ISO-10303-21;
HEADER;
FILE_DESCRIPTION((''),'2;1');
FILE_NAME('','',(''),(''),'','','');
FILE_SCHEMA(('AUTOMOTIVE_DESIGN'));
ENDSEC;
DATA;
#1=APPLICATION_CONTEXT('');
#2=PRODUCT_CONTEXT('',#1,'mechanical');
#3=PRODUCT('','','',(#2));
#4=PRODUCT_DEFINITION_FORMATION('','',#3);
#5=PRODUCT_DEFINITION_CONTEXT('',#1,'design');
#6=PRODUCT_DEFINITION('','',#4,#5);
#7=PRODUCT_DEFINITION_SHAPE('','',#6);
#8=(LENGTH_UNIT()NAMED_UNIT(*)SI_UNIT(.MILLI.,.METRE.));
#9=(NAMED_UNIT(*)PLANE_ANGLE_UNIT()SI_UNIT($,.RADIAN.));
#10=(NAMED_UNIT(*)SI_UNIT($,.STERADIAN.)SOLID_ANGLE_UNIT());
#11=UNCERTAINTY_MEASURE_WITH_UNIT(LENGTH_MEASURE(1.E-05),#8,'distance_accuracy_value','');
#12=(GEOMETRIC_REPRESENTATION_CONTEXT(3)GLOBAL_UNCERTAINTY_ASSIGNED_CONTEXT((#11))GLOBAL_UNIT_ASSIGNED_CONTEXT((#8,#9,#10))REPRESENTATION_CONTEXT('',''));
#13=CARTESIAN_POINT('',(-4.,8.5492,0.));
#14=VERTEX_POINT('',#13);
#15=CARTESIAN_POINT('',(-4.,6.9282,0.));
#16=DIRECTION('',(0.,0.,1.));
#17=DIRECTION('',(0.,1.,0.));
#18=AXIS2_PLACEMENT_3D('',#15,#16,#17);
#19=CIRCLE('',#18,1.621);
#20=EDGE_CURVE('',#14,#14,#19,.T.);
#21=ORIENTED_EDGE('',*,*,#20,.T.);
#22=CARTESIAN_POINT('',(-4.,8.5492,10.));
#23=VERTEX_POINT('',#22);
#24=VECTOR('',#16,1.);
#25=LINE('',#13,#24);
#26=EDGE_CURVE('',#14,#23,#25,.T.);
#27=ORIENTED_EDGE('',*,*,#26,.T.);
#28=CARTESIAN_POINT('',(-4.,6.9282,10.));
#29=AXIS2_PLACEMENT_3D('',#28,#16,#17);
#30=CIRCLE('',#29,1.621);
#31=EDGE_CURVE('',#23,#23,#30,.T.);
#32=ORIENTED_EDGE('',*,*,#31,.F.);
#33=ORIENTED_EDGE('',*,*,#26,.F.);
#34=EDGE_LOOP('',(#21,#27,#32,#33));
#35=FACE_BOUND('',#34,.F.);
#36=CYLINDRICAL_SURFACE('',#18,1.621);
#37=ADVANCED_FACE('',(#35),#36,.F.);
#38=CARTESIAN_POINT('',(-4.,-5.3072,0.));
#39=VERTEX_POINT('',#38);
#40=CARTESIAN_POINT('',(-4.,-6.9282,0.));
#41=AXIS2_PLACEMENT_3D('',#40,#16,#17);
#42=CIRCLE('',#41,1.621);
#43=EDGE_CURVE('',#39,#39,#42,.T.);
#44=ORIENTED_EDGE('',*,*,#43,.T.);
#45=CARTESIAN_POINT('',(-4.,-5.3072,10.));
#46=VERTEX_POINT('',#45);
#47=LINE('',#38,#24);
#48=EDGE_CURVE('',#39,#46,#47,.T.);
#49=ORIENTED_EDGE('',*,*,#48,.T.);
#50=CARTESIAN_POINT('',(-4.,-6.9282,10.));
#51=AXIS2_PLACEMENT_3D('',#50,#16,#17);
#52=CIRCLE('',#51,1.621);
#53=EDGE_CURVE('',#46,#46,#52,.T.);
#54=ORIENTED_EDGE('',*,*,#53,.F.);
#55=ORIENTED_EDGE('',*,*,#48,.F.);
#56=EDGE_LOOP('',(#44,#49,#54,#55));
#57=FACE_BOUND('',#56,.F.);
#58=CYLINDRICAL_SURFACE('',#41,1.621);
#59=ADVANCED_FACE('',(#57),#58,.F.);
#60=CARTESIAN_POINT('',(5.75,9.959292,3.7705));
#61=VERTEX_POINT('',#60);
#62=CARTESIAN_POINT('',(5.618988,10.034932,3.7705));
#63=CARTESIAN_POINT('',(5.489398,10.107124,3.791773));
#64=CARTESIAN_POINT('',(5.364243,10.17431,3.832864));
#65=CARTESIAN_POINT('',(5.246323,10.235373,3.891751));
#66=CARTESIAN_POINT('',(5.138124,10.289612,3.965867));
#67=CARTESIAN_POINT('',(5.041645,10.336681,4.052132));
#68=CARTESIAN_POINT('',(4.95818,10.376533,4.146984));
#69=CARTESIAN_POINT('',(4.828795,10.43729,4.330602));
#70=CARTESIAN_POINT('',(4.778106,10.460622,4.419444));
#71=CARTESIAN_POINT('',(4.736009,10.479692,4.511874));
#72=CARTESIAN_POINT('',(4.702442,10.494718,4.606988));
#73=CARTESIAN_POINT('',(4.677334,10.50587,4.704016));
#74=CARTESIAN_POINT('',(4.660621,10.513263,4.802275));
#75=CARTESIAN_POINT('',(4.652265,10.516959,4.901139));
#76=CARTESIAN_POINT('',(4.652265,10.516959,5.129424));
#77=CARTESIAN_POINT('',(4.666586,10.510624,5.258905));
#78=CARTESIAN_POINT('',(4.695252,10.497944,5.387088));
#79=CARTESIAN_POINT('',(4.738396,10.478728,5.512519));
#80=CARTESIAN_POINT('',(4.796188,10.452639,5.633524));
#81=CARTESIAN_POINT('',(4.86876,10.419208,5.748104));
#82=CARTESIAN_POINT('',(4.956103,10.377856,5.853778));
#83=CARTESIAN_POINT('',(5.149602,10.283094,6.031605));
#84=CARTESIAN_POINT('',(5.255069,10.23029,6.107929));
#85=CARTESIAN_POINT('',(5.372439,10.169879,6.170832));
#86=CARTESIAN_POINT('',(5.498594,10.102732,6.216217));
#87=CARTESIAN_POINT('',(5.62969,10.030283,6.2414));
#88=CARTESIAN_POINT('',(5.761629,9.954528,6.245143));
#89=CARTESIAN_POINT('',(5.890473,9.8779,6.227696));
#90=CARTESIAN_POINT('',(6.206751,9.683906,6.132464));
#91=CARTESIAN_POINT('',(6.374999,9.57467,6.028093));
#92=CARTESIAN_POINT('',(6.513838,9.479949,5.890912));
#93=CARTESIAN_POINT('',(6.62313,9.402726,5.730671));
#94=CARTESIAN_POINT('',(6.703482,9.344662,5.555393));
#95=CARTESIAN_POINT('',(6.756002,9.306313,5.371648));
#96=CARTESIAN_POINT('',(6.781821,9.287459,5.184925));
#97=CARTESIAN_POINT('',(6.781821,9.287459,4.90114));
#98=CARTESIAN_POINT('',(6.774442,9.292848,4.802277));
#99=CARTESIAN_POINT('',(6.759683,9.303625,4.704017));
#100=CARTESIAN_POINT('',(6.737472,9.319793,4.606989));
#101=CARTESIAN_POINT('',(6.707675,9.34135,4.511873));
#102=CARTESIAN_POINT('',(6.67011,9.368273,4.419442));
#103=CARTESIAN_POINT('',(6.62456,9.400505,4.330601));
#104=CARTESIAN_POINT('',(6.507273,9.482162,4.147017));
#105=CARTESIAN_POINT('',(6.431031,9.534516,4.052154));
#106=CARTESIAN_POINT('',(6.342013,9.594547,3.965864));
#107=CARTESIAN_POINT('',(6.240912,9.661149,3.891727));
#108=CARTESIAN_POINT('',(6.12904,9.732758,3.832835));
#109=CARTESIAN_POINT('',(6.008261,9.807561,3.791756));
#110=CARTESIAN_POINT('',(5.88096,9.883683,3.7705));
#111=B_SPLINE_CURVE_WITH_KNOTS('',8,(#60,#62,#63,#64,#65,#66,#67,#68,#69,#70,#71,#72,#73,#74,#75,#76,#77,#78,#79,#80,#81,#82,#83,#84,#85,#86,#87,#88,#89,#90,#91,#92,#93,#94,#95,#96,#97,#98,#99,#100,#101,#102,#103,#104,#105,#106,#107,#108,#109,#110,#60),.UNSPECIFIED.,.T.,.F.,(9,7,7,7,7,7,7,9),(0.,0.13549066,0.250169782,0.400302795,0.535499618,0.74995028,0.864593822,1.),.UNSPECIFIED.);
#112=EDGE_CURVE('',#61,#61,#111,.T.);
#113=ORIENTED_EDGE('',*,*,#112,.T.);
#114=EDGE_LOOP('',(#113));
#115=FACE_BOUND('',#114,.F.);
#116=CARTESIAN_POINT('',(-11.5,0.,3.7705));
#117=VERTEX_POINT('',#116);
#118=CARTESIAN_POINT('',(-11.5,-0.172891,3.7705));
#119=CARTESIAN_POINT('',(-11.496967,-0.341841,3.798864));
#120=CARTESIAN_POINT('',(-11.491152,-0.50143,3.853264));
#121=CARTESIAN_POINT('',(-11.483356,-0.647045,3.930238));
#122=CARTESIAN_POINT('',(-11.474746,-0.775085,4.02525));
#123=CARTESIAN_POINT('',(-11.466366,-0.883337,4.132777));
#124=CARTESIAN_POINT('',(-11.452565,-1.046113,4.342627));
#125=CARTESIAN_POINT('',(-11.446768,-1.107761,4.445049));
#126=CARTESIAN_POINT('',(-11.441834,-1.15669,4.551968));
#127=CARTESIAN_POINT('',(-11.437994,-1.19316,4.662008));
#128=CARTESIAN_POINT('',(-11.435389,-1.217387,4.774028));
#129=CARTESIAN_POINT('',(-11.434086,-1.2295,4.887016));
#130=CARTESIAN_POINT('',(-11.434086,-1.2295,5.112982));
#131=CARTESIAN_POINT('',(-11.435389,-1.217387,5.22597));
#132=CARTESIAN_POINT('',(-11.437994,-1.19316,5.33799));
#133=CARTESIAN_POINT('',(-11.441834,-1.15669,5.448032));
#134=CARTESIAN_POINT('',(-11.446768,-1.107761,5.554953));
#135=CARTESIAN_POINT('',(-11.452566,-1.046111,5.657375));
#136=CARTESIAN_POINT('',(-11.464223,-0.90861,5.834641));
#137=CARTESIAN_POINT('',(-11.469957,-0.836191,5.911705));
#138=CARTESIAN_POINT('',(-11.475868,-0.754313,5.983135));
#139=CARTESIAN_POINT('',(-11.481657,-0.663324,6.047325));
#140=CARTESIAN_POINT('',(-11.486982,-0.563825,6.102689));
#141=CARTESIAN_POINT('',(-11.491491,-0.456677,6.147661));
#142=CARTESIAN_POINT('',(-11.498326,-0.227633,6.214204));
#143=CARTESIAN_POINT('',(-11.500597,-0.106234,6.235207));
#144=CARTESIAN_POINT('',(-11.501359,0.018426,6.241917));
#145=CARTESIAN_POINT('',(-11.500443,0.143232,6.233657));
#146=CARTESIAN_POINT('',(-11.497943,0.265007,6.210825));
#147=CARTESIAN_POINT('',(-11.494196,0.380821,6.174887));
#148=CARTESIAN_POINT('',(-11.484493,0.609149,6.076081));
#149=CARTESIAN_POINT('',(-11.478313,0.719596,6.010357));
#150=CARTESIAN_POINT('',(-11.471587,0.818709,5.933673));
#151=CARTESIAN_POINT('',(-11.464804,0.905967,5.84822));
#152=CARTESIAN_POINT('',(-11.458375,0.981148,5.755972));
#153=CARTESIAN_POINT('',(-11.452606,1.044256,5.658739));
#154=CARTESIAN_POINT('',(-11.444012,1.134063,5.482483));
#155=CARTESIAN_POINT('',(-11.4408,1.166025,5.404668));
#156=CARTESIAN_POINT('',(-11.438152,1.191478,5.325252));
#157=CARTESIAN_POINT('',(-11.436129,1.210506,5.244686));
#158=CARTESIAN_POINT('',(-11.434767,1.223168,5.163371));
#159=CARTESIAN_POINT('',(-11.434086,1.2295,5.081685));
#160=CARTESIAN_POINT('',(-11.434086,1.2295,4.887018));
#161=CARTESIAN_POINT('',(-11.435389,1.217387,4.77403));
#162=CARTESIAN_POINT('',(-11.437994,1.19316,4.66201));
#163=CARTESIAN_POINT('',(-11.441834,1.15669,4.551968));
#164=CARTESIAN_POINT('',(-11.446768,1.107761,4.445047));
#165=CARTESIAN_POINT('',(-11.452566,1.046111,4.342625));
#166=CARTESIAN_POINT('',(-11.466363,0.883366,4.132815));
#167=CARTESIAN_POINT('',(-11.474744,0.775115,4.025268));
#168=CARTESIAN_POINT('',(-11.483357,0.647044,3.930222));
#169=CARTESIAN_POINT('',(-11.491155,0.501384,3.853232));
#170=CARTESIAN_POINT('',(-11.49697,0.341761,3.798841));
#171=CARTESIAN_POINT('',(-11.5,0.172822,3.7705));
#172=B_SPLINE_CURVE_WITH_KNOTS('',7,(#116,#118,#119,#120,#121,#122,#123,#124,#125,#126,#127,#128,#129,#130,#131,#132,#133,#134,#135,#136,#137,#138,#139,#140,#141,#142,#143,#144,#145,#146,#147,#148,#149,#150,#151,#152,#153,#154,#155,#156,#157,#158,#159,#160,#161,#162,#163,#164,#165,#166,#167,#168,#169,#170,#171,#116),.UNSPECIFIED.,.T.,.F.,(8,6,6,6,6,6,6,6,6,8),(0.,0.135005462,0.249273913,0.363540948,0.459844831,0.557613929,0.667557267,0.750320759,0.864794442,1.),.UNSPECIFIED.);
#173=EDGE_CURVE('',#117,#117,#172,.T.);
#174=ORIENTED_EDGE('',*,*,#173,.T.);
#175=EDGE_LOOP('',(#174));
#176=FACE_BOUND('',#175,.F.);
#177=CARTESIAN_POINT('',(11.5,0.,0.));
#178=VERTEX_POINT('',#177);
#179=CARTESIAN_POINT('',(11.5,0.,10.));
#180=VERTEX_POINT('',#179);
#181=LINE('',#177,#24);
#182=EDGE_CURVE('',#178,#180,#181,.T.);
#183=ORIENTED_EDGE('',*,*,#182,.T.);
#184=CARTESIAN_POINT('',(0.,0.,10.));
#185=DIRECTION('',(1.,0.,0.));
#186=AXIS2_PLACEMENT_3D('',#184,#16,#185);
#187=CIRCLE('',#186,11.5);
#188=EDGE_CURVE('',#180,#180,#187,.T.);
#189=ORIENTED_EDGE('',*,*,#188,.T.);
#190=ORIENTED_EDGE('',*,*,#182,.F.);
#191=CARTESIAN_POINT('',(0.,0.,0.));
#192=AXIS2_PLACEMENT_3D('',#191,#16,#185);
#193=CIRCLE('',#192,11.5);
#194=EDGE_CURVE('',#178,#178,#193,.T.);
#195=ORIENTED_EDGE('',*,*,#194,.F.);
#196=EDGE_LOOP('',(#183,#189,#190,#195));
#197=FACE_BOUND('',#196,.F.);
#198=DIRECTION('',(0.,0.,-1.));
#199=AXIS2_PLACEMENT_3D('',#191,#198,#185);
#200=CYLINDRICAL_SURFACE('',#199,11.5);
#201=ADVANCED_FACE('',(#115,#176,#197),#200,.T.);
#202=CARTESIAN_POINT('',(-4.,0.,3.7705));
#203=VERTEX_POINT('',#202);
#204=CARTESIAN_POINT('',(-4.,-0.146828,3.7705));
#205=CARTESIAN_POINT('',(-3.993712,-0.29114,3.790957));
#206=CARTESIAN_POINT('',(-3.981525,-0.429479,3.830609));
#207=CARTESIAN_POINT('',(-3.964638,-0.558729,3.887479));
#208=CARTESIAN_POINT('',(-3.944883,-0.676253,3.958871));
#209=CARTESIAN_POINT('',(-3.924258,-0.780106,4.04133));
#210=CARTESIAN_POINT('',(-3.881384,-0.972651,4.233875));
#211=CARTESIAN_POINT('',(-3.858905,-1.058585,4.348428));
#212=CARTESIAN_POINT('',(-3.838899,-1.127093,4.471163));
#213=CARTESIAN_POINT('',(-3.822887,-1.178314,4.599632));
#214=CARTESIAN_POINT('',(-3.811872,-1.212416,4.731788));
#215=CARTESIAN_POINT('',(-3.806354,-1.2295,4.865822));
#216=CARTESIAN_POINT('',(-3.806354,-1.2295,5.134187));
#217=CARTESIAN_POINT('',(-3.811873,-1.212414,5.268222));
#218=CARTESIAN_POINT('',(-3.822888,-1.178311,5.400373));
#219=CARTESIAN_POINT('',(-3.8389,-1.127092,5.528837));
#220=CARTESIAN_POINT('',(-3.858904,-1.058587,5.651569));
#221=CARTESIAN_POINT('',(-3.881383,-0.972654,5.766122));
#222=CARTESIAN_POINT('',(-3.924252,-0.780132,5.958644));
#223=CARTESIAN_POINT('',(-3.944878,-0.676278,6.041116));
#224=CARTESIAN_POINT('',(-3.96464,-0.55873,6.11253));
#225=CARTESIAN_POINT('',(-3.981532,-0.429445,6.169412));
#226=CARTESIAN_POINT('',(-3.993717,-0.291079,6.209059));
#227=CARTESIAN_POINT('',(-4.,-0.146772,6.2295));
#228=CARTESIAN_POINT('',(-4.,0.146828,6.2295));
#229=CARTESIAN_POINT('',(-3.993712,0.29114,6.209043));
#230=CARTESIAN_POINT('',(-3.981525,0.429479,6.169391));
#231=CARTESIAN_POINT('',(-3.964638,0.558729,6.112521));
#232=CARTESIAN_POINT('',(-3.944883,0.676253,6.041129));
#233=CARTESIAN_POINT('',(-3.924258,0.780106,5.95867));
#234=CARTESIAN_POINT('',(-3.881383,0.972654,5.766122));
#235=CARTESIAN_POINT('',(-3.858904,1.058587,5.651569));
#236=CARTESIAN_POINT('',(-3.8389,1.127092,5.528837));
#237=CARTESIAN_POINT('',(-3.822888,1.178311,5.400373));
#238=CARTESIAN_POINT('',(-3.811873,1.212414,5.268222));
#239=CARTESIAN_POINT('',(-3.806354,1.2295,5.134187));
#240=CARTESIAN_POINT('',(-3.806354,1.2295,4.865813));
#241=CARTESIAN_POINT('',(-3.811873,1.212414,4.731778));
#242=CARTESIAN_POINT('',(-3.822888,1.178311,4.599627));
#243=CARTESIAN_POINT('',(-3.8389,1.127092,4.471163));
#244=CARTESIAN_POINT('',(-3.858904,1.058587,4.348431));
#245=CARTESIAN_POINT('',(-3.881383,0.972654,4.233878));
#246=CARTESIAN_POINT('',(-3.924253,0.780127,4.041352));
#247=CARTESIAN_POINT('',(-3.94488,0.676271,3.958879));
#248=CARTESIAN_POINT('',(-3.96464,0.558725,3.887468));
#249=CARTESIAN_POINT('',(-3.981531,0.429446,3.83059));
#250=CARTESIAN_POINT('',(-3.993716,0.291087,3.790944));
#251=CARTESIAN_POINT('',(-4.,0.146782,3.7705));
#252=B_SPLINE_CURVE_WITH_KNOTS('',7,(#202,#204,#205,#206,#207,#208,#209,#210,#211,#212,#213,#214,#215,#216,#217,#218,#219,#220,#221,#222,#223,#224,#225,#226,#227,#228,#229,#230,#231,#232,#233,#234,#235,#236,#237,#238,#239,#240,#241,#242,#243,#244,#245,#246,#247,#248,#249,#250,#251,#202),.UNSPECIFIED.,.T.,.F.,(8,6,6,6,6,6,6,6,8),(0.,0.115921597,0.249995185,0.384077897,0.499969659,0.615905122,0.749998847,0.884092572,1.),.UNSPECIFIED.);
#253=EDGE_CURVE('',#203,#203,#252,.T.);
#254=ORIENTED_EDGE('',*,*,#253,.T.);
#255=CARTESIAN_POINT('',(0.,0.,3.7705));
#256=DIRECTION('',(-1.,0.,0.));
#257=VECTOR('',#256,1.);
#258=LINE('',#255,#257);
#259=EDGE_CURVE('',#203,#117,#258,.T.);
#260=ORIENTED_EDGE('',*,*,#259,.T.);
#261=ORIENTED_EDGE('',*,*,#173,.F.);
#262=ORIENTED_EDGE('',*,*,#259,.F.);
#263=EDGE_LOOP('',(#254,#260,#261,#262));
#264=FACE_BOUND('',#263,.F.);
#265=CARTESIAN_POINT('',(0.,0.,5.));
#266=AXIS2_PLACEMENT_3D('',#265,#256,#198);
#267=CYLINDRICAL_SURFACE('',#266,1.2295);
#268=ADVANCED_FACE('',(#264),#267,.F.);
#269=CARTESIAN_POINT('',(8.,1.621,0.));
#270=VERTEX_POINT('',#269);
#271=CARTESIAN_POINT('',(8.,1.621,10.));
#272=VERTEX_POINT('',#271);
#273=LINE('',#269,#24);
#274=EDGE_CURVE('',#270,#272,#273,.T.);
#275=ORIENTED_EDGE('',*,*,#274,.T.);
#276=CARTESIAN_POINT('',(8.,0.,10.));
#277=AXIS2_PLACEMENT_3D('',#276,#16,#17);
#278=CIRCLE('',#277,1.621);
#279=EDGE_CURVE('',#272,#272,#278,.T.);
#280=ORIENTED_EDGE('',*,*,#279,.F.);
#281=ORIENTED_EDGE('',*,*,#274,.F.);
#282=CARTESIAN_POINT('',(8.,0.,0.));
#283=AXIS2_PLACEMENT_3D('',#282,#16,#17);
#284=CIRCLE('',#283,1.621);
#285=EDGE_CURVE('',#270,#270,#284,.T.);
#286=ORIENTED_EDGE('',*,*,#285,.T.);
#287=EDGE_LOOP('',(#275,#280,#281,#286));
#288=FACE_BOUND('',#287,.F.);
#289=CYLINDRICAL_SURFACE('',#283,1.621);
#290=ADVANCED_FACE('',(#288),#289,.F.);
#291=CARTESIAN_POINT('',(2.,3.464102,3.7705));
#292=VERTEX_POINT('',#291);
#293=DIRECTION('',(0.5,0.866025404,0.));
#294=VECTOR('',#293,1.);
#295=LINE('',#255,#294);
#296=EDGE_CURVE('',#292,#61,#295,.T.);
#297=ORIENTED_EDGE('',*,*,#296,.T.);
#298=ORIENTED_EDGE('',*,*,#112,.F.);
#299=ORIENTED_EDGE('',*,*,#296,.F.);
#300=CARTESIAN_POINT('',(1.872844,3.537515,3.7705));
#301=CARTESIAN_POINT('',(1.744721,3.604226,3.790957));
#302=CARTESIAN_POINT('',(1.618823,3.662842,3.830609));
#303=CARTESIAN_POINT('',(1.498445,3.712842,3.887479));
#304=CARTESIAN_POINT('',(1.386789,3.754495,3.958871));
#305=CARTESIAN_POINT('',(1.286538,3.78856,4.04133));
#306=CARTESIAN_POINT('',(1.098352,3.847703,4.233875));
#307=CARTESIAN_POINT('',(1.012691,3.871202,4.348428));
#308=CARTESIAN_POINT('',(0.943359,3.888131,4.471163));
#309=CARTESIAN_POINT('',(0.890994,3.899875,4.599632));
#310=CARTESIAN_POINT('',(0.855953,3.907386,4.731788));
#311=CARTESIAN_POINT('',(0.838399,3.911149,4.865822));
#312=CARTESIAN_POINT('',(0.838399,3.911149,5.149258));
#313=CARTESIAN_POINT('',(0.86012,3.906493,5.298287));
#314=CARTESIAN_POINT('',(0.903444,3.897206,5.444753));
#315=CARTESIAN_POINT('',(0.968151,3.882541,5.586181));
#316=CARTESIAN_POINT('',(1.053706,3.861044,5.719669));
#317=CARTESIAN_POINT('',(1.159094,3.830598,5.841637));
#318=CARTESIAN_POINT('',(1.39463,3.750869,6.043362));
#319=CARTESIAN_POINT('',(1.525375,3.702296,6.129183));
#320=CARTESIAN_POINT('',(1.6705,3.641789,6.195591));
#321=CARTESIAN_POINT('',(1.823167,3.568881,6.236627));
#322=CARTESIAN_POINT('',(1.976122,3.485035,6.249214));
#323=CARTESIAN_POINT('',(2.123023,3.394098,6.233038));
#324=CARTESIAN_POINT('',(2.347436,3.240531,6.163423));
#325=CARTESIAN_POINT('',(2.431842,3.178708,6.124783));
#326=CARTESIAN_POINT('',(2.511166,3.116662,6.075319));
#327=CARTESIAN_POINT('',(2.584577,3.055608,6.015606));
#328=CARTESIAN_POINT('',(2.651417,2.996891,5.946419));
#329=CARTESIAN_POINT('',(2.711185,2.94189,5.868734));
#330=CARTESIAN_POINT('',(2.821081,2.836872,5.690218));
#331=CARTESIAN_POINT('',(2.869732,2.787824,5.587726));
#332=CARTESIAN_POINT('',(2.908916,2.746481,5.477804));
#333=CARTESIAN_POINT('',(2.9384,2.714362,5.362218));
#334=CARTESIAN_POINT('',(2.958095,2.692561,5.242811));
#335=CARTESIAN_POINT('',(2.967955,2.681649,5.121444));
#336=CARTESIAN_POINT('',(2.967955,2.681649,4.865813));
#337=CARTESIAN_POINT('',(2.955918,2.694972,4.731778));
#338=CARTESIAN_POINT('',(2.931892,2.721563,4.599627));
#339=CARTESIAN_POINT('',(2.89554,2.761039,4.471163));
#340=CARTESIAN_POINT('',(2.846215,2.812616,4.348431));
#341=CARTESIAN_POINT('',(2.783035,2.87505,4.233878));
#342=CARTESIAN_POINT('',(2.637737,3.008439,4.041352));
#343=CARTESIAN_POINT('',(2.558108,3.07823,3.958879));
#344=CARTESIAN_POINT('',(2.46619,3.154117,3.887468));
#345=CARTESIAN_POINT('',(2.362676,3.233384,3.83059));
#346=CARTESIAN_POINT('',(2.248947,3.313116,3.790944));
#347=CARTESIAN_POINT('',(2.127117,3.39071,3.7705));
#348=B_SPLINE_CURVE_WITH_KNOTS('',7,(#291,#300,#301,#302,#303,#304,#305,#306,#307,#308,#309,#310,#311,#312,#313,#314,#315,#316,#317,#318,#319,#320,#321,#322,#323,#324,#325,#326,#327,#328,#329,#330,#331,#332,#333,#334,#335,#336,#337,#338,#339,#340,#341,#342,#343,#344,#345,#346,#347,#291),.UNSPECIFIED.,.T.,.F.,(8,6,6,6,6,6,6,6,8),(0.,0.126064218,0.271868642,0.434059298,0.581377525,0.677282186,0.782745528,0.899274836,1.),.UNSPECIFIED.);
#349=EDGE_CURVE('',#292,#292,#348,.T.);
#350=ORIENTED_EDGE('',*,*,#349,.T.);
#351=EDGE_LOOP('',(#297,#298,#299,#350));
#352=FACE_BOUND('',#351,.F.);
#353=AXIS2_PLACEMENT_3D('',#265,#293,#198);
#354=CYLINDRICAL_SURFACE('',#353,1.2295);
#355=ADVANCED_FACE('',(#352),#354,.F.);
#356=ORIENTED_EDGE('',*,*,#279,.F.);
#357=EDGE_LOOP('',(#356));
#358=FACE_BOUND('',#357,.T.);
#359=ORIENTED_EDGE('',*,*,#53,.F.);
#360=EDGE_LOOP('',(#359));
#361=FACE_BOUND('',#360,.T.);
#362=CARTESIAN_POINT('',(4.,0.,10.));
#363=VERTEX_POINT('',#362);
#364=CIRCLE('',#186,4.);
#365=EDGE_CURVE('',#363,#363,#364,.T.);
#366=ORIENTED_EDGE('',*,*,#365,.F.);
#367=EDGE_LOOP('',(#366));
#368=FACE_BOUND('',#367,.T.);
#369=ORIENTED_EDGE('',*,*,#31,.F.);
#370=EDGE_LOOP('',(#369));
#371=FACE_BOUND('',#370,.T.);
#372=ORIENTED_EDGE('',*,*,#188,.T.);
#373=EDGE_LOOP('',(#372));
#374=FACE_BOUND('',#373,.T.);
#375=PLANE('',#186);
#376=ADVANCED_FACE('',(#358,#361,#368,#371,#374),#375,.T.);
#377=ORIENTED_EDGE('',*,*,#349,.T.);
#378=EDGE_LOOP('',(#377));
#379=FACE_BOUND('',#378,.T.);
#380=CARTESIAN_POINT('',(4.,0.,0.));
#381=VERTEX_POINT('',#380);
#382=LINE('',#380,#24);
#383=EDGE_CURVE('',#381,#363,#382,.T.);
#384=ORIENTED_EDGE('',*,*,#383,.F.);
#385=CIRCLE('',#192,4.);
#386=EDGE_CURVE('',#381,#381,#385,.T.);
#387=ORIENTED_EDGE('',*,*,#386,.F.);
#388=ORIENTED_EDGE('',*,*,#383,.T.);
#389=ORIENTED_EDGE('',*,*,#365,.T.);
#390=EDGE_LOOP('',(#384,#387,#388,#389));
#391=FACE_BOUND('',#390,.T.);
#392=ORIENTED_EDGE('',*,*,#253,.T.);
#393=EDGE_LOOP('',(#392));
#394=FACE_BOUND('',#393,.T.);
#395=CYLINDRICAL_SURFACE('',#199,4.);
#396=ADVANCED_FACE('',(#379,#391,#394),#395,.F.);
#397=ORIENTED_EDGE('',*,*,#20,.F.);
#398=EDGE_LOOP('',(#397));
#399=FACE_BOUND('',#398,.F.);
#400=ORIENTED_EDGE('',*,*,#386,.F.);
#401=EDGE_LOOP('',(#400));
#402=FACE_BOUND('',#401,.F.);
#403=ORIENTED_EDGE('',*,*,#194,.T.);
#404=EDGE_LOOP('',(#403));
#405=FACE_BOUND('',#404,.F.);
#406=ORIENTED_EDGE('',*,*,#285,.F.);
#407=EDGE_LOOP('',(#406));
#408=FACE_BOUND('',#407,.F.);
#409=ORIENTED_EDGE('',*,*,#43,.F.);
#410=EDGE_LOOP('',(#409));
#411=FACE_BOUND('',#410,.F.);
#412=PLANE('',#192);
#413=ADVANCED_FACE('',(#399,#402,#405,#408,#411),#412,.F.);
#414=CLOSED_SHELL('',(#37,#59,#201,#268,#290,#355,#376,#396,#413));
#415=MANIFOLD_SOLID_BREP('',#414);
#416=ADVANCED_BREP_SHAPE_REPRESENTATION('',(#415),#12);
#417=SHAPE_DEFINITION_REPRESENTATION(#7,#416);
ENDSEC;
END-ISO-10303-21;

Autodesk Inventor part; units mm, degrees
ref_plane "YZ Plane" through (0, 0, 0) normal (1, 0, 0) x (0, 1, 0)
ref_plane "XY Plane" through (0, 0, 0) normal (0, 0, 1) x (1, 0, 0)
sketch "Sketch1" plane through (0, 0, 0) normal (0, 0, 1) x (1, 0, 0)
  circle A0 centre (0, 0) radius 11.5
  circle A1 centre (0, 0) radius 4
  point P0 (8, 0)
  point P1 (-4, 6.9282)
  point P2 (-4, -6.9282)
  dimension "d0" = 23
  dimension "d1" = 8
  dimension "d2" = 8
  dimension "d5" = 360
extrude "Plate1" add sketch "Sketch1" along normal blind 10
hole "Hole1" at (8, 0, 0) at (-4, 6.9282, 0) at (-4, -6.9282, 0) direction (0, 0, 1) diameter 3.242 depth 15 tip angle 118 thread size "M4x0.7" class "6H" standard "ISO Metric profile"
sketch "Sketch2" plane through (0, 0, 0) normal (1, 0, 0) x (0, 1, 0)
  line L0 (4, 0) -> (-4, 0) projected
  point P0 (0, 0)
  point P1 (0, 5)
  dimension "d15" = 5
hole "Hole2" at (0, 0, 5) direction (-1, 0, 0) diameter 2.459 end through all thread size "M3x0.5" class "6H" standard "ISO Metric profile"
ref_plane "Work Plane1" through (0, 0, 0) normal (-0.5, -0.866, 0) x (0, 0, 1)
sketch "Sketch3" plane through (0, 0, 0) normal (-0.5, -0.866, 0) x (0, 0, 1)
  point P0 (0, 0)
  point P1 (5, 3.9111)
  point P2 (5, 0)
  dimension "d24" = 5
hole "Hole3" at (0, 0, 5) direction (0.5, 0.866, 0) diameter 2.459 end through all thread size "M3x0.5" class "6H" standard "ISO Metric profile"
equation "\"d7\" = Thickness"
equation "\"BendReliefDepth\" = 0.5 * Thickness"
equation "\"Thickness\" = 10"
properties part number "as mount 10 mm (3x)" material "Aluminum 6061"
